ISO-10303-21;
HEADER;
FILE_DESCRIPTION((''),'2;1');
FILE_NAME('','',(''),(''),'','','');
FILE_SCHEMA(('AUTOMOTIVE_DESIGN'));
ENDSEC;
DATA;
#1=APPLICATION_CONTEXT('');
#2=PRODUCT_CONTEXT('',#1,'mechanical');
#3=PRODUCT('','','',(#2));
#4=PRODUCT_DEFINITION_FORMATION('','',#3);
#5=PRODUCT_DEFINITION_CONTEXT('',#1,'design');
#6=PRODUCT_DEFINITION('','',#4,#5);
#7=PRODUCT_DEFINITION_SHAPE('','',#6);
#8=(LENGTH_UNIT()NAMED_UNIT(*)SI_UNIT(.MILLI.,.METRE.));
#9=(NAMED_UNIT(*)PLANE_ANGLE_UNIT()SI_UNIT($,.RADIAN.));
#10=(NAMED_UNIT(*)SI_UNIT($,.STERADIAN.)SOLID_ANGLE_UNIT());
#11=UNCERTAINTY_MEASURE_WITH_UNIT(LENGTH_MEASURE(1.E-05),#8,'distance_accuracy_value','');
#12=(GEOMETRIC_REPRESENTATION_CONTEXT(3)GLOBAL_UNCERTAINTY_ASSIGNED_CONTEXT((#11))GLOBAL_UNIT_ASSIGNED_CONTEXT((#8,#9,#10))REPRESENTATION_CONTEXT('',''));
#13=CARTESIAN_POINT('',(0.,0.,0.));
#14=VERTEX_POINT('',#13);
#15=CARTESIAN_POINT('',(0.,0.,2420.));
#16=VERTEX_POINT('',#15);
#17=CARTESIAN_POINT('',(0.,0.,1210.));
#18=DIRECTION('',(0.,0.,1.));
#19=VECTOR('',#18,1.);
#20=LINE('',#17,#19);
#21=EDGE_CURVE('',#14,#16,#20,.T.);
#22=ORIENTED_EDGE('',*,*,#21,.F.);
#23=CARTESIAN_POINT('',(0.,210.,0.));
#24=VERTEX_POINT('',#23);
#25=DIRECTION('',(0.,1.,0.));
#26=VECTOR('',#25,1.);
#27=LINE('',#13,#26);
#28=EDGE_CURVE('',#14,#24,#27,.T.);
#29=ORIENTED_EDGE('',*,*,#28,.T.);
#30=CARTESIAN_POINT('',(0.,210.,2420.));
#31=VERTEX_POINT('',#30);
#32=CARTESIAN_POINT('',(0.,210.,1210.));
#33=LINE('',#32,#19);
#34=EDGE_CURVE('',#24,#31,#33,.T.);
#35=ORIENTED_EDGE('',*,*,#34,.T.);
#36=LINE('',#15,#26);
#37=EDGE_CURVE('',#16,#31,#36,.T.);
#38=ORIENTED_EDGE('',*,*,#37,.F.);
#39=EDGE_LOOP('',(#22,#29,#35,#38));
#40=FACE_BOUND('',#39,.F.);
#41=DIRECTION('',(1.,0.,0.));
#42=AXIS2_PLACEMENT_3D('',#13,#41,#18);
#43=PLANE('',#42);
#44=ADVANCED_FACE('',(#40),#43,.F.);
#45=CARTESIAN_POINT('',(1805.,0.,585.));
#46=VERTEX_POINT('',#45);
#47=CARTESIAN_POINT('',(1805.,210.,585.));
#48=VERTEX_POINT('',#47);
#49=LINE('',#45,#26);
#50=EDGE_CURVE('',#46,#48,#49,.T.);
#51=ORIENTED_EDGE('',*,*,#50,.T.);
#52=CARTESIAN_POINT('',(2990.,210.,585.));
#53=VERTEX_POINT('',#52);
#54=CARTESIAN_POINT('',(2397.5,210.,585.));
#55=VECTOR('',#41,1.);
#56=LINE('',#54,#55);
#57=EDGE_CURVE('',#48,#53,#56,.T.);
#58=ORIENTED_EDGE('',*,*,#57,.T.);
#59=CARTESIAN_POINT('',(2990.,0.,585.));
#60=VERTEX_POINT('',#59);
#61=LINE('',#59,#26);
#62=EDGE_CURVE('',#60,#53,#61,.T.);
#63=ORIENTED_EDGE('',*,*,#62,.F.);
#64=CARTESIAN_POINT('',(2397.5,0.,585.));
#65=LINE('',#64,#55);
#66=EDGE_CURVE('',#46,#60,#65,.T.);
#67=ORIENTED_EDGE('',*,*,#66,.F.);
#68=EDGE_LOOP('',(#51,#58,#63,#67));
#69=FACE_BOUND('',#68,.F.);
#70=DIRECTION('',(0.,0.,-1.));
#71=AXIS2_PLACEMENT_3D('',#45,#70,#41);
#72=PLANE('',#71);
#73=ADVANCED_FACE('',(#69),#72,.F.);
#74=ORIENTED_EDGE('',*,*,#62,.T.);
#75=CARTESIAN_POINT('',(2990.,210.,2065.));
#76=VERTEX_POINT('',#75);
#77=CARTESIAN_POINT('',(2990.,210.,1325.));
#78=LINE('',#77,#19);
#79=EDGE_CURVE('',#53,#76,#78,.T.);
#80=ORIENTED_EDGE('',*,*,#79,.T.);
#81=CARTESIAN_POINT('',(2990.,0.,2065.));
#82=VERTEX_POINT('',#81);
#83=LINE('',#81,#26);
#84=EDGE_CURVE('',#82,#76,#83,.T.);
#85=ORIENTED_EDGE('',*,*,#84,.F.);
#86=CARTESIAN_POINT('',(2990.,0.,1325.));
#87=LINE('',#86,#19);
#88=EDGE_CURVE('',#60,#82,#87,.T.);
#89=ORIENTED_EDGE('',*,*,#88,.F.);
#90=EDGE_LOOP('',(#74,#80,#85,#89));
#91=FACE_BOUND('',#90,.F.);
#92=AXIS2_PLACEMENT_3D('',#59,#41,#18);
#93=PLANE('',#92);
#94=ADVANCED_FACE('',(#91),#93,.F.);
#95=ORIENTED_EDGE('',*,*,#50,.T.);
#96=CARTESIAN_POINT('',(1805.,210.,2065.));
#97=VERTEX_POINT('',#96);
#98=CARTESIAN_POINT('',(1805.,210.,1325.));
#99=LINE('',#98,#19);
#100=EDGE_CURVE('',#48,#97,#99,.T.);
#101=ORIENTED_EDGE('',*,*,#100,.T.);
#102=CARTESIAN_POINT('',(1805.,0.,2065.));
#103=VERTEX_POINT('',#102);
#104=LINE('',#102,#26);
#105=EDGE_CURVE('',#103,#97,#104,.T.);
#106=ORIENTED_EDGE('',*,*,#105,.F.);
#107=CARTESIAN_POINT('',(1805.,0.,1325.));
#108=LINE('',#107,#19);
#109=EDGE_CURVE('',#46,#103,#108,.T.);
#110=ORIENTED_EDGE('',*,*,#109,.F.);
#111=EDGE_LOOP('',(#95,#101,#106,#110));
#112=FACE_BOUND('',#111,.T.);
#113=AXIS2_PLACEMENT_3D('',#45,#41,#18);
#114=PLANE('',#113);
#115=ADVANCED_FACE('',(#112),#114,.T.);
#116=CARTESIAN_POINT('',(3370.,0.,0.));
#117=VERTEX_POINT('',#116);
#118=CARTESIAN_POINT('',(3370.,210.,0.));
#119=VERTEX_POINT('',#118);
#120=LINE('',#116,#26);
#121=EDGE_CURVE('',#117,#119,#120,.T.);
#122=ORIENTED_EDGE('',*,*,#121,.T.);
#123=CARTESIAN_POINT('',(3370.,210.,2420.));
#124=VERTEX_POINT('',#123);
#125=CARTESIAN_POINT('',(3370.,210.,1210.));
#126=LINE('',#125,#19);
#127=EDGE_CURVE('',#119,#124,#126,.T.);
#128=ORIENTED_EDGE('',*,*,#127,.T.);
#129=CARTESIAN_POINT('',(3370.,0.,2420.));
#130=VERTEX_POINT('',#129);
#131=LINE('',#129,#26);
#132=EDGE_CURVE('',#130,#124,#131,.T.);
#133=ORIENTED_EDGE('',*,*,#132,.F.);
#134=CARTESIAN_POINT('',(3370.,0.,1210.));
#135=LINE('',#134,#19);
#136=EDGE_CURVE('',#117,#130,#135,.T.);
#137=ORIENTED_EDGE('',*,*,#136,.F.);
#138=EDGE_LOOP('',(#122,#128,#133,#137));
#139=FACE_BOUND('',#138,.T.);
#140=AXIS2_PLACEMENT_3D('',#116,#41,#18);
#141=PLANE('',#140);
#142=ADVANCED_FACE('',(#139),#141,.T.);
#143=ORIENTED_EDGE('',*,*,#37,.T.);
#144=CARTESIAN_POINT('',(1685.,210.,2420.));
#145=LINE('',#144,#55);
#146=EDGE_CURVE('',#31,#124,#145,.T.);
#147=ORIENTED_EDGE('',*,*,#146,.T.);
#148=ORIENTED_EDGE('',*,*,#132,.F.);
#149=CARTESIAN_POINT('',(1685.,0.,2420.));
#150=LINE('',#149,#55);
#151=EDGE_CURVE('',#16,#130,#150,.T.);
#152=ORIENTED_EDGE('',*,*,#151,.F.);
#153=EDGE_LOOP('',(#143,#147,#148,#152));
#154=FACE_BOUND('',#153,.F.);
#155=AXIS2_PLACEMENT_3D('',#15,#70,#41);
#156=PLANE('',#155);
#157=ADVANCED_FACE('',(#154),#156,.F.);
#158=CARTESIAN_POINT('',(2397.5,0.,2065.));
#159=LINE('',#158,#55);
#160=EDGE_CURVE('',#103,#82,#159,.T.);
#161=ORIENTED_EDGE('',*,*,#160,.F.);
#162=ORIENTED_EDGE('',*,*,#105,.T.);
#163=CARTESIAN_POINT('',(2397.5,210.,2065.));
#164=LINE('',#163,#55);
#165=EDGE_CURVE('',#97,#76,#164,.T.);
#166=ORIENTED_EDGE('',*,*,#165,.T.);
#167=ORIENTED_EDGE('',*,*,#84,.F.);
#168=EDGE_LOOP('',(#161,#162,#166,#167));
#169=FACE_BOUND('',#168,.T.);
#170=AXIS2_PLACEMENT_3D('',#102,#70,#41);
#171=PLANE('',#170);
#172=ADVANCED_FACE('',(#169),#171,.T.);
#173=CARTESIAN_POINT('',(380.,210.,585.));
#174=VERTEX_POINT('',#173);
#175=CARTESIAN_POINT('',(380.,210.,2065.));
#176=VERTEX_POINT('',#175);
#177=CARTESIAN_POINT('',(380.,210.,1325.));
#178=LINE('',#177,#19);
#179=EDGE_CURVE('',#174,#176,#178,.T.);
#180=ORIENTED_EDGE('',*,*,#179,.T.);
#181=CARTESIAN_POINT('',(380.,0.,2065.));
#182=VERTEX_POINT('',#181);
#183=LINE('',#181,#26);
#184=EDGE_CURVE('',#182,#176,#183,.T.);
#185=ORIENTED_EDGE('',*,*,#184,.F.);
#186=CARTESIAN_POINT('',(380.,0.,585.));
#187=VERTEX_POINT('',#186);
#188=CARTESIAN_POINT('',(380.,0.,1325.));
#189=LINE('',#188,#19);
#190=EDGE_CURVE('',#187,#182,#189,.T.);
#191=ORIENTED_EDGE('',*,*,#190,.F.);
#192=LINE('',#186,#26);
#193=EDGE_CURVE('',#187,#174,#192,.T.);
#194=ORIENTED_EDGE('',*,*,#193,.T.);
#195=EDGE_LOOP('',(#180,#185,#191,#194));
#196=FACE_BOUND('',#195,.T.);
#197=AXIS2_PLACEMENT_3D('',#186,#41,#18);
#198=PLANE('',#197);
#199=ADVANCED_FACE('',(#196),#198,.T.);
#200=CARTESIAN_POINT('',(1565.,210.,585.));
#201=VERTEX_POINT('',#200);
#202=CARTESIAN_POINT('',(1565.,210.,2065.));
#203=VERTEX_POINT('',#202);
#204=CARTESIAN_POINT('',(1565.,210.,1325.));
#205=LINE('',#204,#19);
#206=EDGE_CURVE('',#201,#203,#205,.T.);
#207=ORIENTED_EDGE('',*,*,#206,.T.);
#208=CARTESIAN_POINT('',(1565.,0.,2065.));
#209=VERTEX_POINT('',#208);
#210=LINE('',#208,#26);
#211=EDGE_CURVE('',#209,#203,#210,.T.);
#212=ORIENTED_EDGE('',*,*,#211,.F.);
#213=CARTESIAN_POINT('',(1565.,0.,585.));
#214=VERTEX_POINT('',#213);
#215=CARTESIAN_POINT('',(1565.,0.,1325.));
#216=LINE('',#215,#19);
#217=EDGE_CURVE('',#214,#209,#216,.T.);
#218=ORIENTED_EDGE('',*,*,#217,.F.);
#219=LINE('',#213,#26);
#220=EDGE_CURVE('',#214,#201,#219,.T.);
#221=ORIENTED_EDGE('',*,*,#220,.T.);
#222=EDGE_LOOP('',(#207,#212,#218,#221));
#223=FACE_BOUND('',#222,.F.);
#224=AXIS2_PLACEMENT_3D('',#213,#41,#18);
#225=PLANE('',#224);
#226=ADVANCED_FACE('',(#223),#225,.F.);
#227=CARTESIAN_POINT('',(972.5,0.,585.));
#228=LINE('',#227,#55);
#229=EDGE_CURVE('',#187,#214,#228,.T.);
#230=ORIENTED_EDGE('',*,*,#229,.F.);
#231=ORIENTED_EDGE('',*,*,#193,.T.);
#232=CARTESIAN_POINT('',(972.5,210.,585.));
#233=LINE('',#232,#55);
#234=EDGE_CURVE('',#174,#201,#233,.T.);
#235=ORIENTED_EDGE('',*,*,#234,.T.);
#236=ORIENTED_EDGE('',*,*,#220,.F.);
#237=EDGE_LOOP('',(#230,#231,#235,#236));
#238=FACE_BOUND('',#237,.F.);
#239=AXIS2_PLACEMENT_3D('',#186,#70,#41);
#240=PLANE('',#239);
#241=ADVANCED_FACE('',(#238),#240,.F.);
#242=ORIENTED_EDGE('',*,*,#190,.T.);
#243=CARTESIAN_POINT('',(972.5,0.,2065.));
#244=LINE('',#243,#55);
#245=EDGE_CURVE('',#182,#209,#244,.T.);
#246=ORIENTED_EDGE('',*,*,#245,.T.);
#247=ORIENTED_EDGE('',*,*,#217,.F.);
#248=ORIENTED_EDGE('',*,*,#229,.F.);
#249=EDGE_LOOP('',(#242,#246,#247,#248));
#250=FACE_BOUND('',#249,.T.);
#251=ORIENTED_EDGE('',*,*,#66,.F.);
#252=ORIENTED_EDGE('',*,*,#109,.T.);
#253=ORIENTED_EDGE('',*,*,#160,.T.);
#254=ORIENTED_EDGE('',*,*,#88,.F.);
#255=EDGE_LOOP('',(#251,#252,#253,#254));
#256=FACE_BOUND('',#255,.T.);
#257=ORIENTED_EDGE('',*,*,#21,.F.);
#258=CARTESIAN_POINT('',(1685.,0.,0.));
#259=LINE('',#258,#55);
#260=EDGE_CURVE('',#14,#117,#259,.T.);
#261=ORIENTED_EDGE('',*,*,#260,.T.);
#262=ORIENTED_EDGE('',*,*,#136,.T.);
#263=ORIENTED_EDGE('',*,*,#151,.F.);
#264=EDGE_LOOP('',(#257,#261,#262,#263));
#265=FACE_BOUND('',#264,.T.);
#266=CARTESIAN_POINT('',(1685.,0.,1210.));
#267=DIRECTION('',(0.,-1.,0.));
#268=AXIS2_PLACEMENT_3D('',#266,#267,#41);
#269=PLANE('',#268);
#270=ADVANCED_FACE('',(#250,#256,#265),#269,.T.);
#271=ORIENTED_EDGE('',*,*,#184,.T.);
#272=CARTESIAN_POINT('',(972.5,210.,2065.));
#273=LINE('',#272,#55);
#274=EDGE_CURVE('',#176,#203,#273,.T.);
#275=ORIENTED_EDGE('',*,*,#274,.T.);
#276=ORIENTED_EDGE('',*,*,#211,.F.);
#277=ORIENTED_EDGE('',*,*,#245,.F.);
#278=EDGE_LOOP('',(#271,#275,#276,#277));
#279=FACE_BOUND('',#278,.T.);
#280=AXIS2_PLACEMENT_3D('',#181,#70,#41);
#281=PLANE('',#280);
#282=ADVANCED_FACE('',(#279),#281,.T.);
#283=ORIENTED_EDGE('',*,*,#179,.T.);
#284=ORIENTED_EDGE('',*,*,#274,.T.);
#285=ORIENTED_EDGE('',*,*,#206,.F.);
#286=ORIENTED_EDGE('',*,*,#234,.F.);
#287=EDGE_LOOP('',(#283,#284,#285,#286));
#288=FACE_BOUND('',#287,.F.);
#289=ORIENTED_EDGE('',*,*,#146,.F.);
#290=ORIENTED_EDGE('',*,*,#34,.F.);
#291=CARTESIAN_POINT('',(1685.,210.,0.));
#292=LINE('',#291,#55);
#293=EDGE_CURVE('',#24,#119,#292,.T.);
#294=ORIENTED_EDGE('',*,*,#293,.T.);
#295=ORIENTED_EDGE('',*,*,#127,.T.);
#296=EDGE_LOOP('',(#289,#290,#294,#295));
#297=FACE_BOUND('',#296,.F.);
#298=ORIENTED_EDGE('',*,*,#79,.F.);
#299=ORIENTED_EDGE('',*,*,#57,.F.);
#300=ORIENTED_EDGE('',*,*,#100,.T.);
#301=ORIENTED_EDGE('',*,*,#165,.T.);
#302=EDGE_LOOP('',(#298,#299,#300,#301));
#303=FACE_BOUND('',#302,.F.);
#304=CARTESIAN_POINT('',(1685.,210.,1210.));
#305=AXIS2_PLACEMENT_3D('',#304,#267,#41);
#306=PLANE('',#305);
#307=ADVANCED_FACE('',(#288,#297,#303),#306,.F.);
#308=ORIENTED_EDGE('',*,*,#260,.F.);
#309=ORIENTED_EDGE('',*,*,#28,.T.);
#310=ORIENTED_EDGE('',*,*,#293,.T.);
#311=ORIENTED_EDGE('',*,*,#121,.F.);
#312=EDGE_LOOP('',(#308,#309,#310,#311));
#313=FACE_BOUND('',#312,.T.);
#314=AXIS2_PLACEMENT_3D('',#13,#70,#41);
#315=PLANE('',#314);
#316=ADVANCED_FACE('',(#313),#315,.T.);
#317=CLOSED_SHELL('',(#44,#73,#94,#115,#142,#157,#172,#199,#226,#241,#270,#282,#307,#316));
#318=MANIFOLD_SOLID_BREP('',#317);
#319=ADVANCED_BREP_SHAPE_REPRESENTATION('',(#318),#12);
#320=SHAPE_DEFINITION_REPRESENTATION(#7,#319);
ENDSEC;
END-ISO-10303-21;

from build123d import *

# Parameters (mm, degrees)
SKETCH_W   = 3370
SKETCH_H   = 2420
SKETCH_W_2 = 1185
SKETCH_H_2 = 1480
PAD_DEPTH  = 210


with BuildPart() as part:
    # Sketch → Pad (new body)
    with BuildSketch(Plane.XZ):
        with Locations((1685, 1210)):
            Rectangle(SKETCH_W, SKETCH_H)
        with Locations((972.5, 1325)):
            Rectangle(SKETCH_W_2, SKETCH_H_2, mode=Mode.SUBTRACT)
        with Locations((2397.5, 1325)):
            Rectangle(SKETCH_W_2, SKETCH_H_2, mode=Mode.SUBTRACT)
    extrude(amount=-PAD_DEPTH)


solid = part.part
